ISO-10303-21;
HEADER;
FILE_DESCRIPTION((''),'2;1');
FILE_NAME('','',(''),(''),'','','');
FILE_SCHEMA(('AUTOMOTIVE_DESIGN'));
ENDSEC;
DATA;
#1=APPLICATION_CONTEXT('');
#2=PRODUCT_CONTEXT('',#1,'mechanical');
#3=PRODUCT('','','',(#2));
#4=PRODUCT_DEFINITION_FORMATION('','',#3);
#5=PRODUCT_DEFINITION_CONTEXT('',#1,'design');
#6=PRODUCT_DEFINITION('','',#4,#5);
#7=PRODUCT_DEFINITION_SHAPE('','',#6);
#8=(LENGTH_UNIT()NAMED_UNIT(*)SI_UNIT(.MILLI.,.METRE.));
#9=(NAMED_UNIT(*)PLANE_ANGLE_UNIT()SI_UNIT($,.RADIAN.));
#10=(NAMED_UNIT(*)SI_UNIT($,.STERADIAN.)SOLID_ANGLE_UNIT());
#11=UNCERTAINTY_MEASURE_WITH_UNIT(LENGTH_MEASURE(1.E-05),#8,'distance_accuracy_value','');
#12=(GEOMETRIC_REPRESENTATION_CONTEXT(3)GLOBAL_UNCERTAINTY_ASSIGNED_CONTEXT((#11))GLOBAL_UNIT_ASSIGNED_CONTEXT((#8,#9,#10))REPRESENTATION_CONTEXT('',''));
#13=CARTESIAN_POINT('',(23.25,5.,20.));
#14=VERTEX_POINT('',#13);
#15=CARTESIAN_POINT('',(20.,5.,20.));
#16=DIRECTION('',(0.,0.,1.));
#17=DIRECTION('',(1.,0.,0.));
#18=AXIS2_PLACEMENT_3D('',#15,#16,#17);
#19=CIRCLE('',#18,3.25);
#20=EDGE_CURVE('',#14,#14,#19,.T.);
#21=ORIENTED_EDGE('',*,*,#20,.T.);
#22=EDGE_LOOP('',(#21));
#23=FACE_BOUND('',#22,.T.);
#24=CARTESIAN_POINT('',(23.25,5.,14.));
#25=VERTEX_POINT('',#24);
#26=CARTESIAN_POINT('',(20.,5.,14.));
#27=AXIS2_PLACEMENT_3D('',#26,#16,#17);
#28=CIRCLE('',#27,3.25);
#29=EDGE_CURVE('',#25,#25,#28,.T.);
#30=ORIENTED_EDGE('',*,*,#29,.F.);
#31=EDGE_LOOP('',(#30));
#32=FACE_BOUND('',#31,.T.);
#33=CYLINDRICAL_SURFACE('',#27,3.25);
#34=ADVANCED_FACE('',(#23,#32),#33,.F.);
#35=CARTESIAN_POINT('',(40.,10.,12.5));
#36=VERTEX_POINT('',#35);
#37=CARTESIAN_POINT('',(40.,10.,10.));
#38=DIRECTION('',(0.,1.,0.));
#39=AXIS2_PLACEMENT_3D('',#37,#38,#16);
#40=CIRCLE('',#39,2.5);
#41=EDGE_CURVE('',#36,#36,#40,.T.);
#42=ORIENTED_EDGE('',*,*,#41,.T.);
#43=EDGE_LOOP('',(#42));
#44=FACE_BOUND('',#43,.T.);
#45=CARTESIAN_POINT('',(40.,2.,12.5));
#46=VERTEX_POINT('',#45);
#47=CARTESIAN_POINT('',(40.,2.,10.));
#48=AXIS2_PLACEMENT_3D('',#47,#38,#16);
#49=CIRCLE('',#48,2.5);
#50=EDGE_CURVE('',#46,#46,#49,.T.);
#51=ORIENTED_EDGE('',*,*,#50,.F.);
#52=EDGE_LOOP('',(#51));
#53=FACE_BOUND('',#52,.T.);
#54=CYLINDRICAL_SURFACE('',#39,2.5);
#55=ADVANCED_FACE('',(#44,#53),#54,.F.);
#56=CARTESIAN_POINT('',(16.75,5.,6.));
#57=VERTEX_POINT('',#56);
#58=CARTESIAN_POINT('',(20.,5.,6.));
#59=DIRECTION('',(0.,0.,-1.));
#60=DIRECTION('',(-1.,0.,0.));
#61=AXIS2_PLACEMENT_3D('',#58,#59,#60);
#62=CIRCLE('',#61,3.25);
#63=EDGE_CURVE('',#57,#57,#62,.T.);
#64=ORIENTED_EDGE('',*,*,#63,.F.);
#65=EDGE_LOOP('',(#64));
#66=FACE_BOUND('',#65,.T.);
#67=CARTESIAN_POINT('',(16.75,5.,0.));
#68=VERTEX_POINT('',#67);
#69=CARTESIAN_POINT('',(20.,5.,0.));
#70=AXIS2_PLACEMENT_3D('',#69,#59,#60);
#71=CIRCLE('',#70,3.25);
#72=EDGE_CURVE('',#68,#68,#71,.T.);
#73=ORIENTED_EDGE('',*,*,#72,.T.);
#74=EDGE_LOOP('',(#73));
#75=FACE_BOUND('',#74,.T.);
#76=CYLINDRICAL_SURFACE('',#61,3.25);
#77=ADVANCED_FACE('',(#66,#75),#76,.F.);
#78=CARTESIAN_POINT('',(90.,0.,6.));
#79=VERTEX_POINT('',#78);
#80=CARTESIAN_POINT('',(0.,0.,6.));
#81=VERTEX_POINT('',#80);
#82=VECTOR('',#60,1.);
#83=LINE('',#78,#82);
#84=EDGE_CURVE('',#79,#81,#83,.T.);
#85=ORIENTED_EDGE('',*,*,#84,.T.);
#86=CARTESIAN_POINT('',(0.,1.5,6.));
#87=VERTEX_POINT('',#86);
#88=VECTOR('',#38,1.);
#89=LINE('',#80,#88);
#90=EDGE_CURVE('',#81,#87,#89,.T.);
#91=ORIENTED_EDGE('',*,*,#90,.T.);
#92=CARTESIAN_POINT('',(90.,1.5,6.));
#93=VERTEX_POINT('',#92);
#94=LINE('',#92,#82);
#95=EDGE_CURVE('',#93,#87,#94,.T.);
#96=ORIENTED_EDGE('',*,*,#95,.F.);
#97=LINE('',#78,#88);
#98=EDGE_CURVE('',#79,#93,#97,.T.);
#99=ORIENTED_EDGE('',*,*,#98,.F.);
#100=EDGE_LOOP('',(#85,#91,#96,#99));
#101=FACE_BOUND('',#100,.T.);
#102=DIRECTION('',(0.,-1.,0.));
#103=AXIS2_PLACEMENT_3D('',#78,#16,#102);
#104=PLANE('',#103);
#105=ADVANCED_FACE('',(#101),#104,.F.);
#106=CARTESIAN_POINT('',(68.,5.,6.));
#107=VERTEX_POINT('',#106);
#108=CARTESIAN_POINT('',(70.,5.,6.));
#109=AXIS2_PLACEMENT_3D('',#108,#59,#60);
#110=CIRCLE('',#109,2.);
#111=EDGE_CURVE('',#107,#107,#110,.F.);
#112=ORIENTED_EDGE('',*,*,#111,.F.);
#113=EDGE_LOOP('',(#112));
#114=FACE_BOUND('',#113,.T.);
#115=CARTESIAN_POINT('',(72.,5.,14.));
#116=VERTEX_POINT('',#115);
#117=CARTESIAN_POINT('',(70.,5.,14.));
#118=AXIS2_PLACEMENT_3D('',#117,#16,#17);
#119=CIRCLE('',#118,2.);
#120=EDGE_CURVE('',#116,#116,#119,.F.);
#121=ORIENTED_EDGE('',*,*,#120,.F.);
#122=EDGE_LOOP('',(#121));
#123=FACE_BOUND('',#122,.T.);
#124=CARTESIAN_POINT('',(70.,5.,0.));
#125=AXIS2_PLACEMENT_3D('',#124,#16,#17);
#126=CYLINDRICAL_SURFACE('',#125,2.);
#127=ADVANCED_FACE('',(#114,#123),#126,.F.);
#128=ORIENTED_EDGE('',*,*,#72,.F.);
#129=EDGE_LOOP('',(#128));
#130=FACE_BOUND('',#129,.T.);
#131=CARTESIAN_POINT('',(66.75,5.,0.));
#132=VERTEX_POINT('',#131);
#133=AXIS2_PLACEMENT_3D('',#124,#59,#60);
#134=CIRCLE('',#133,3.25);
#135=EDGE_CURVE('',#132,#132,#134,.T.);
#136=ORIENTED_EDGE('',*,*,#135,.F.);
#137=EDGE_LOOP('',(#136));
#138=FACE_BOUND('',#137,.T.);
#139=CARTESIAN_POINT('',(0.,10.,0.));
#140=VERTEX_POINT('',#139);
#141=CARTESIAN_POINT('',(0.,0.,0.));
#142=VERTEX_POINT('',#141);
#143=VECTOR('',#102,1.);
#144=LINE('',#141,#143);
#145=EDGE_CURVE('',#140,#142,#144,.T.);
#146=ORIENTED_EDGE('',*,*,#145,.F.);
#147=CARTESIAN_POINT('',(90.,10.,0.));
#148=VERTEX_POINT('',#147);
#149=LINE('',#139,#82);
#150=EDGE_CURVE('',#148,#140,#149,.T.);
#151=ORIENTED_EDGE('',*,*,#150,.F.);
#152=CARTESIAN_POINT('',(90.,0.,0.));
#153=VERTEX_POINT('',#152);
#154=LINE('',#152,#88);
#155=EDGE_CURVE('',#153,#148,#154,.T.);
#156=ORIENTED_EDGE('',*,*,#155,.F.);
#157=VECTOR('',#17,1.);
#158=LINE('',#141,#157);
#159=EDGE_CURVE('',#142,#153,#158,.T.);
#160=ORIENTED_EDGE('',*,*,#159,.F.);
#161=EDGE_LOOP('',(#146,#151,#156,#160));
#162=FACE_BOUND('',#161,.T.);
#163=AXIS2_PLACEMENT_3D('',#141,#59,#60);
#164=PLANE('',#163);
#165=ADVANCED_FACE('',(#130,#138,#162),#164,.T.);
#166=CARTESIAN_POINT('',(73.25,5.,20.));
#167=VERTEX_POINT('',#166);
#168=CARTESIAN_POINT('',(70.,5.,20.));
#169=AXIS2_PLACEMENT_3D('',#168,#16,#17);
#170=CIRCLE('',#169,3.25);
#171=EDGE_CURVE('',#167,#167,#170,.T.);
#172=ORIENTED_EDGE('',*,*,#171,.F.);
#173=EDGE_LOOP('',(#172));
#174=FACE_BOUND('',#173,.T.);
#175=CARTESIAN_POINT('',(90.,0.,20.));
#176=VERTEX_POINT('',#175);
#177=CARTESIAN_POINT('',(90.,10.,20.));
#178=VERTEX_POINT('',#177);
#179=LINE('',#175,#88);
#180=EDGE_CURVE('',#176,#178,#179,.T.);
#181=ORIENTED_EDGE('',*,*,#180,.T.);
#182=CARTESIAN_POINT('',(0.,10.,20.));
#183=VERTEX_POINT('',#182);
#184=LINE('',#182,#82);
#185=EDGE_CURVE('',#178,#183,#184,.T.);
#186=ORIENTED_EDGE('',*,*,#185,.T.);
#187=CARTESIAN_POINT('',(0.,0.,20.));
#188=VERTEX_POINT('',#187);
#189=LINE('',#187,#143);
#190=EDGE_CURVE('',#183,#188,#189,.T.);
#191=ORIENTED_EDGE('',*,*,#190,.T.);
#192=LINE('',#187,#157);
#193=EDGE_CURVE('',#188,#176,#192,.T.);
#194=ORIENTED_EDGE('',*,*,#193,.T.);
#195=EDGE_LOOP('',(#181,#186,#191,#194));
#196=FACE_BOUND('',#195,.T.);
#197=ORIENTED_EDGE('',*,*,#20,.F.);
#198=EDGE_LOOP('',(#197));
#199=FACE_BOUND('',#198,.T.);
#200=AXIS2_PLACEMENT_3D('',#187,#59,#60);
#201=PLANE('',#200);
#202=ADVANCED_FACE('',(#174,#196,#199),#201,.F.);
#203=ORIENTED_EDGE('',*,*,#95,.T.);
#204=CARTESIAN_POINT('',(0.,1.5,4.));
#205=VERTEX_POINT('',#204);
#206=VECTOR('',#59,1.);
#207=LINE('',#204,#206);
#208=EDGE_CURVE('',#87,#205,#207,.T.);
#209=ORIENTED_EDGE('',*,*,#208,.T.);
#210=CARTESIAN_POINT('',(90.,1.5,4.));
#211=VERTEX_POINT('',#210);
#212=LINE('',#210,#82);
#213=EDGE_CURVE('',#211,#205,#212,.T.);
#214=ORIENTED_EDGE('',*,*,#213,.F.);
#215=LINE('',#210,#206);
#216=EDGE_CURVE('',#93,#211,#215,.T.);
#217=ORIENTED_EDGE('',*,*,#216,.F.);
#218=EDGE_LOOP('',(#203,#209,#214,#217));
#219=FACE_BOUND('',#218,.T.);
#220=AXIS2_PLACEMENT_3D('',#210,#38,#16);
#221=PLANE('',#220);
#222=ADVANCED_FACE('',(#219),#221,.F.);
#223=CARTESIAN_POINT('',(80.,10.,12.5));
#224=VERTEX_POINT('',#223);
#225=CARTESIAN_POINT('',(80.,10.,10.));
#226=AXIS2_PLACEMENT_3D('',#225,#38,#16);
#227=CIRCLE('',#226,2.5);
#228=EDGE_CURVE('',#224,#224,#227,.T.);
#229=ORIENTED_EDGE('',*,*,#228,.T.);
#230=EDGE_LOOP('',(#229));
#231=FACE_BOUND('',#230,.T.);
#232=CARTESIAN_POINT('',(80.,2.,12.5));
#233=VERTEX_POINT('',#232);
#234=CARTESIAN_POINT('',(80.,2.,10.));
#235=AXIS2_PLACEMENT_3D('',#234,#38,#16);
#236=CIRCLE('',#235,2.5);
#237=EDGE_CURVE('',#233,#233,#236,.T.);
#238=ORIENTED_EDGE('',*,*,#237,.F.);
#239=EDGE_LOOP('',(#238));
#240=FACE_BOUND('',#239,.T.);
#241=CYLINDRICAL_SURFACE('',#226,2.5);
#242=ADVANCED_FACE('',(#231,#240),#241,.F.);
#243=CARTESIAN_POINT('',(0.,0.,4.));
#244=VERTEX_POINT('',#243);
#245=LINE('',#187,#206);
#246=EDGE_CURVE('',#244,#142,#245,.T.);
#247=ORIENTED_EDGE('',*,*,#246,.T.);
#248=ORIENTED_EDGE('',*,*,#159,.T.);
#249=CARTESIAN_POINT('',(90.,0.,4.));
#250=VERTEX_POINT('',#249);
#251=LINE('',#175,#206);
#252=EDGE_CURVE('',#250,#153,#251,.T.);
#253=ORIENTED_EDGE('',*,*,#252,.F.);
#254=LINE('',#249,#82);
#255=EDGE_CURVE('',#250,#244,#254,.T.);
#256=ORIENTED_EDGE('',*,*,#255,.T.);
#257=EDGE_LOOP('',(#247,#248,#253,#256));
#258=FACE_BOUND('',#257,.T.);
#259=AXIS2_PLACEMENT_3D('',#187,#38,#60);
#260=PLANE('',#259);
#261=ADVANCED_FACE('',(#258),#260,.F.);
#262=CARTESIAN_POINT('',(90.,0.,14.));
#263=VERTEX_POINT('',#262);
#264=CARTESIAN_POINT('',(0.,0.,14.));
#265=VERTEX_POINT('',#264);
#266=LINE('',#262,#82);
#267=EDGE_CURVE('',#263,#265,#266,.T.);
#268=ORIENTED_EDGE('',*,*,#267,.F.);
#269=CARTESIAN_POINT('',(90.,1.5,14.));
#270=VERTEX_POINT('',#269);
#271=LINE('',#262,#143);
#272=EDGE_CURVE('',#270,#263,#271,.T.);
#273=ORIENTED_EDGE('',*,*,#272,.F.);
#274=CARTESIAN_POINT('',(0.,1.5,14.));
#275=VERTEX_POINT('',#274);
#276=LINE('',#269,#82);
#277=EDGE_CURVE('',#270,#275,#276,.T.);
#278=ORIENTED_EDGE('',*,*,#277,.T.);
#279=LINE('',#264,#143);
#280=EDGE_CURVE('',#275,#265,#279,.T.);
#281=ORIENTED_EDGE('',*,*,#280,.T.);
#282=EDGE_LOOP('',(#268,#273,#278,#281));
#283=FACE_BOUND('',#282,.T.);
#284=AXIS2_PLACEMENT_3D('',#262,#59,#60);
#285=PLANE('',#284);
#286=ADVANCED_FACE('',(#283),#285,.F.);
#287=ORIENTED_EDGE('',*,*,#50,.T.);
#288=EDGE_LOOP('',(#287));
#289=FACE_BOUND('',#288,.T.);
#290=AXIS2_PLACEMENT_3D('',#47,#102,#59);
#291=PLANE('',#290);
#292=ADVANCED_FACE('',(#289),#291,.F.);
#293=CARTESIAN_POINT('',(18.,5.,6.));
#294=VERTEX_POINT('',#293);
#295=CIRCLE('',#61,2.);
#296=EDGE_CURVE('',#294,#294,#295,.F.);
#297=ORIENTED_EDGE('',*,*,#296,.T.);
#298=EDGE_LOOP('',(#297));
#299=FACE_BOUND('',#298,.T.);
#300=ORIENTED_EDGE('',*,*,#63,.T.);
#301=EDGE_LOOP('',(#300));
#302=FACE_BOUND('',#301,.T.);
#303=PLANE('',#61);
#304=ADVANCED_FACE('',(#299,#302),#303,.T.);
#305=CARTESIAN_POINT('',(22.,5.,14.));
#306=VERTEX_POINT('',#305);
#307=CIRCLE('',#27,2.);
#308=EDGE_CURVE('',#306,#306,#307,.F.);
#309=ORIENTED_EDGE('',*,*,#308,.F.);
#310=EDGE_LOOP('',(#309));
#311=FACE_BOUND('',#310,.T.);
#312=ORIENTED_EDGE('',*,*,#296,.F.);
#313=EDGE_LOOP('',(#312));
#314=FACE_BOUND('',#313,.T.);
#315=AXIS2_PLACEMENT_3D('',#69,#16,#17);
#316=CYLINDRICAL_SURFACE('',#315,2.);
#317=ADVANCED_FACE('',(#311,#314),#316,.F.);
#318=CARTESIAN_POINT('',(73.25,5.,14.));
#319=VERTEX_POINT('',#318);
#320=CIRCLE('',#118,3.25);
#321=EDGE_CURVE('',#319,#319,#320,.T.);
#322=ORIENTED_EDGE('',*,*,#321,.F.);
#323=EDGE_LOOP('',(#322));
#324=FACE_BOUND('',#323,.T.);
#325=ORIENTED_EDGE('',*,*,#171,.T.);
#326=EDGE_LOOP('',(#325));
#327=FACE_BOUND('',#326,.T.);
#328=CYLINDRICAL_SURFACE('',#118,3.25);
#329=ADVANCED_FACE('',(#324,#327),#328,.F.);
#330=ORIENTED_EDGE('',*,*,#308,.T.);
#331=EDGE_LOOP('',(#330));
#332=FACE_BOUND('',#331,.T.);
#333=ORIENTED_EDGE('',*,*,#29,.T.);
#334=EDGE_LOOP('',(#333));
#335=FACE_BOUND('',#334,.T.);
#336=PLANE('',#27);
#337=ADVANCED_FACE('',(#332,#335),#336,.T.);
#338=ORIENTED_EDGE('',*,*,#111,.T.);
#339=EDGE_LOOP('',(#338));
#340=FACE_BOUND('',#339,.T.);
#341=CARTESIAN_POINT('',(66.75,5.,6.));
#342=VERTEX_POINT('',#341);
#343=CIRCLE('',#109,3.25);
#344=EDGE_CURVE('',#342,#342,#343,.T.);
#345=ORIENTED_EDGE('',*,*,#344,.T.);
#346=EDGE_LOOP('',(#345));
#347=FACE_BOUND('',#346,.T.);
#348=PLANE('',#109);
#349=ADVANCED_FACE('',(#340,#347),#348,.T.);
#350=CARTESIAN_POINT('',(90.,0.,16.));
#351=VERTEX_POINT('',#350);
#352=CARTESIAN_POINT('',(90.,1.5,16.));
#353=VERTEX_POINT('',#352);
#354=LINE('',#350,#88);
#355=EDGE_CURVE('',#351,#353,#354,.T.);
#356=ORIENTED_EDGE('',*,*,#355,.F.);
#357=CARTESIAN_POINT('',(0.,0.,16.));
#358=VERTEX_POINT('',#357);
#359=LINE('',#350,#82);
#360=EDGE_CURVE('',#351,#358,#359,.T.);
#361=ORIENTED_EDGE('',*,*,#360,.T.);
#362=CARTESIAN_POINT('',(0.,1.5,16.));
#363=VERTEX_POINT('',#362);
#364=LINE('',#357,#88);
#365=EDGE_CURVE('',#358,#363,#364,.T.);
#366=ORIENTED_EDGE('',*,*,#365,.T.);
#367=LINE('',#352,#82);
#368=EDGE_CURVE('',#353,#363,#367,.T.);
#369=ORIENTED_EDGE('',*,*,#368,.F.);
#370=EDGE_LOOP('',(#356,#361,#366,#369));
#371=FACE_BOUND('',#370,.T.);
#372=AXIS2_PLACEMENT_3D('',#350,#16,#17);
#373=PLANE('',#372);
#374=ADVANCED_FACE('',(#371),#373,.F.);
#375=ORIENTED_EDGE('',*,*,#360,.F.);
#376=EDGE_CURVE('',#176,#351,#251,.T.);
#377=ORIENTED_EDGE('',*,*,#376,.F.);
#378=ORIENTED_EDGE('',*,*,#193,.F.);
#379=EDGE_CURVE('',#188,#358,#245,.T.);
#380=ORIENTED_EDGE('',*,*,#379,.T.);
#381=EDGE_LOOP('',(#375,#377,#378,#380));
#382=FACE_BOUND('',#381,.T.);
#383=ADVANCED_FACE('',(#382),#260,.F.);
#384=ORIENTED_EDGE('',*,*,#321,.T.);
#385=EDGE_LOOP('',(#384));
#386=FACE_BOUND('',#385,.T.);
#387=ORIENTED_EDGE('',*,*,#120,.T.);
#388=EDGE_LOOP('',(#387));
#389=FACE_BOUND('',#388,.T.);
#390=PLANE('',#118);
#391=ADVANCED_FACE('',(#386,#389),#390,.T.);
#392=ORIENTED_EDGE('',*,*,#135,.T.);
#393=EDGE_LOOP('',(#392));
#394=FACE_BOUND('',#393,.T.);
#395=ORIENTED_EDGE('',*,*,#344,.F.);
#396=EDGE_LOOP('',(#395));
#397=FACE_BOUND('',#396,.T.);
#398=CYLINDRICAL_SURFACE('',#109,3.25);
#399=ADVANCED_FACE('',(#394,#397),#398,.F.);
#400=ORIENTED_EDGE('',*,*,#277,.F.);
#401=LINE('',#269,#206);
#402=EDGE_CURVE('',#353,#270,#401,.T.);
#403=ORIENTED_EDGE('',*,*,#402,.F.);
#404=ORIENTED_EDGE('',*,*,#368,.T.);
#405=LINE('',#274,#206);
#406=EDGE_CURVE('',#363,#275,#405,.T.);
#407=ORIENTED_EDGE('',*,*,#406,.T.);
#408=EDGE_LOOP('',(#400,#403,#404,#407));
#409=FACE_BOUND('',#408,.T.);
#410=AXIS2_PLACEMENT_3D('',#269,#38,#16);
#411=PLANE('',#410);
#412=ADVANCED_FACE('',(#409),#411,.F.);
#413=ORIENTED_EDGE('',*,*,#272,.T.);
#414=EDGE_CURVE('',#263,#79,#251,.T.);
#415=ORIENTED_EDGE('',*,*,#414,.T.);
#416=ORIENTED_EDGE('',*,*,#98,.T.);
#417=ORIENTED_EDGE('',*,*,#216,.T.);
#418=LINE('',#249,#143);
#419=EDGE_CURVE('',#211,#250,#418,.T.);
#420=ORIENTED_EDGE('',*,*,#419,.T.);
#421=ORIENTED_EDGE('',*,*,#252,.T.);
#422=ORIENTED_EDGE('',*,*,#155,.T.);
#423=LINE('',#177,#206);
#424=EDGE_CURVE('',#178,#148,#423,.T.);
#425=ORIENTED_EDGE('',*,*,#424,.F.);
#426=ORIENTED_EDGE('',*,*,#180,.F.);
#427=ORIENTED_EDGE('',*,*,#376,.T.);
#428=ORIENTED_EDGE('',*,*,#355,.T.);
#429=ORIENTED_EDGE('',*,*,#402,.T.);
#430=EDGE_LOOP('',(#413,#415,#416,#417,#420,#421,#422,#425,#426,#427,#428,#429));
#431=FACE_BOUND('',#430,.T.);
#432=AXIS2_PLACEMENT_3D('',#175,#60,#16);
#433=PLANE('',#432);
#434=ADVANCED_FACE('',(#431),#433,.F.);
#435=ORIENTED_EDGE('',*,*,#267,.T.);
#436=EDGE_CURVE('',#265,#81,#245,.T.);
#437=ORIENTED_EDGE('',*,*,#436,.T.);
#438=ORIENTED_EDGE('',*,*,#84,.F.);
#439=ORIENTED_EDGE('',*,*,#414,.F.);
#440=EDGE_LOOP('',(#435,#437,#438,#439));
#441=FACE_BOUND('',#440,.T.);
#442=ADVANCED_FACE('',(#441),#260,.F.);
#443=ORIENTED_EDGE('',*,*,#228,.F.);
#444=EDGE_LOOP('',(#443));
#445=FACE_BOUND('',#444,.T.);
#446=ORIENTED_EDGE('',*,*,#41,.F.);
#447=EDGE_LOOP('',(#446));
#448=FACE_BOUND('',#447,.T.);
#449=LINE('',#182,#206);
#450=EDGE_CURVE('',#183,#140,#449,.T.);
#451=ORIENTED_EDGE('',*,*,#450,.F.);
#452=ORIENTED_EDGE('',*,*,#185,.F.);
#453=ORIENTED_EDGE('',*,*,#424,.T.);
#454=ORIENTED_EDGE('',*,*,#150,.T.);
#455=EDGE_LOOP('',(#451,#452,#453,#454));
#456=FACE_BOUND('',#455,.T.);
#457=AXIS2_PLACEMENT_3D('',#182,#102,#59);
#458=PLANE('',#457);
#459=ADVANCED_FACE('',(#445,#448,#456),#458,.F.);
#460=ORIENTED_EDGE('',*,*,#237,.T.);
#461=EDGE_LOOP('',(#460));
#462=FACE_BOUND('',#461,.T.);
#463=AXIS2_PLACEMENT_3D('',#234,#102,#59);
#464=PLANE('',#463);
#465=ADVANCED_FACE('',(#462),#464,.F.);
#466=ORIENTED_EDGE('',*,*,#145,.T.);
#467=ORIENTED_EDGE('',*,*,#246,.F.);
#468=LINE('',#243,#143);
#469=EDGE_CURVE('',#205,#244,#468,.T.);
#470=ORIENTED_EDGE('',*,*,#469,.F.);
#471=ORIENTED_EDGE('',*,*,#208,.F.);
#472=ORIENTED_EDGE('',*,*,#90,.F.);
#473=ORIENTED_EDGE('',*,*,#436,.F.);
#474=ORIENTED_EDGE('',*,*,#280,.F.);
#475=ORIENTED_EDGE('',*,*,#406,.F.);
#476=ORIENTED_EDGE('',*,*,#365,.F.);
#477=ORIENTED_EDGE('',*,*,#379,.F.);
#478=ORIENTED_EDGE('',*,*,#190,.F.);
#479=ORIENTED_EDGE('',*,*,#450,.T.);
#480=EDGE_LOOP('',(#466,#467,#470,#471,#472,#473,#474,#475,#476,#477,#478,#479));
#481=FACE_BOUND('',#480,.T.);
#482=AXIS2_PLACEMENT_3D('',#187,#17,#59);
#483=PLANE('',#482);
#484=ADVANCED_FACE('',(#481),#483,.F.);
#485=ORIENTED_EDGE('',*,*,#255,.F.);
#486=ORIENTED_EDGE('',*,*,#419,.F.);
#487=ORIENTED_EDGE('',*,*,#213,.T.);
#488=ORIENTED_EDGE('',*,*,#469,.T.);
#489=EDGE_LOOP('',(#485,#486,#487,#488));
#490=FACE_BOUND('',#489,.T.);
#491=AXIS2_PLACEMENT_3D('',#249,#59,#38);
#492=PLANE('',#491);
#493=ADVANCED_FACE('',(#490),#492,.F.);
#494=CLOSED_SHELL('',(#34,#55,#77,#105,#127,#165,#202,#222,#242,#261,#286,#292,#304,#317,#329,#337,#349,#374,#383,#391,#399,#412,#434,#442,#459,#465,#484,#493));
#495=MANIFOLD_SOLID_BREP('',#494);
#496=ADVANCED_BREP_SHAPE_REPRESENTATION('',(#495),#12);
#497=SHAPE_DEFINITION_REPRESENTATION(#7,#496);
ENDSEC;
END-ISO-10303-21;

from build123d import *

# Parameters (mm, degrees)
IZIM1_W                          = 90
IZIM1_H                          = 10
Y_KSEKLIK_EKSTR_ZYON1_DEPTH      = 20
IZIM6_W                          = 2
IZIM6_H                          = 1.5
KES_EKSTR_ZYON1_DEPTH            = 93.736184955
F_4_0MM_SAPLAMA_DELIKLERI3_D     = 5
F_4_0MM_SAPLAMA_DELIKLERI3_DEPTH = 8
IZIM14_R                         = 2
KES_EKSTR_ZYON2_DEPTH            = 93.736184955
IZIM13_R                         = 3.25
KES_EKSTR_ZYON4_DEPTH            = 6
KES_EKSTR_ZYON5_START            = -6
IZIM15_R                         = 3.25
KES_EKSTR_ZYON5_DEPTH            = 6


with BuildPart() as part:
    # Çizim1 → Yükseklik-Ekstrüzyon1 (new body)
    with BuildSketch(Plane.XY):
        with Locations((45, 5)):
            Rectangle(IZIM1_W, IZIM1_H)
    extrude(amount=Y_KSEKLIK_EKSTR_ZYON1_DEPTH)

    # Çizim6 → Kes-Ekstrüzyon1 (cut, through all)
    with BuildSketch(Plane.ZY):
        with Locations((5, 0.75)):
            Rectangle(IZIM6_W, IZIM6_H)
        with Locations((15, 0.75)):
            Rectangle(IZIM6_W, IZIM6_H)
    extrude(amount=-KES_EKSTR_ZYON1_DEPTH, mode=Mode.SUBTRACT)

    # Ø4.0mm Saplama Delikleri3
    with Locations(Plane(origin=(40, 10, 10), x_dir=(0, 0, 1), z_dir=(0, 1, 0))):
        with Locations((0, 0), (0, 40)):
            Hole(F_4_0MM_SAPLAMA_DELIKLERI3_D / 2, depth=F_4_0MM_SAPLAMA_DELIKLERI3_DEPTH)

    # Çizim14 → Kes-Ekstrüzyon2 (cut, through all)
    with BuildSketch(Plane.XY.offset(20)):
        with Locations((20, 5)):
            Circle(IZIM14_R)
        with Locations((70, 5)):
            Circle(IZIM14_R)
    extrude(amount=-KES_EKSTR_ZYON2_DEPTH, mode=Mode.SUBTRACT)

    # Çizim13 → Kes-Ekstrüzyon4 (cut)
    with BuildSketch(Plane.XY.offset(20)):
        with Locations((20, 5)):
            Circle(IZIM13_R)
        with Locations((70, 5)):
            Circle(IZIM13_R)
    extrude(amount=-KES_EKSTR_ZYON4_DEPTH, mode=Mode.SUBTRACT)

    # Çizim15 → Kes-Ekstrüzyon5 (cut)
    with BuildSketch(Plane(origin=(0, 0, 0), x_dir=(-1, 0, 0), z_dir=(0, 0, -1)).offset(KES_EKSTR_ZYON5_START)):
        with Locations(Location((-70, 5, 0), (0, 0, 180))):
            Circle(IZIM15_R)
        with Locations(Location((-20, 5, 0), (0, 0, 180))):
            Circle(IZIM15_R)
    extrude(amount=KES_EKSTR_ZYON5_DEPTH, mode=Mode.SUBTRACT)


solid = part.part
